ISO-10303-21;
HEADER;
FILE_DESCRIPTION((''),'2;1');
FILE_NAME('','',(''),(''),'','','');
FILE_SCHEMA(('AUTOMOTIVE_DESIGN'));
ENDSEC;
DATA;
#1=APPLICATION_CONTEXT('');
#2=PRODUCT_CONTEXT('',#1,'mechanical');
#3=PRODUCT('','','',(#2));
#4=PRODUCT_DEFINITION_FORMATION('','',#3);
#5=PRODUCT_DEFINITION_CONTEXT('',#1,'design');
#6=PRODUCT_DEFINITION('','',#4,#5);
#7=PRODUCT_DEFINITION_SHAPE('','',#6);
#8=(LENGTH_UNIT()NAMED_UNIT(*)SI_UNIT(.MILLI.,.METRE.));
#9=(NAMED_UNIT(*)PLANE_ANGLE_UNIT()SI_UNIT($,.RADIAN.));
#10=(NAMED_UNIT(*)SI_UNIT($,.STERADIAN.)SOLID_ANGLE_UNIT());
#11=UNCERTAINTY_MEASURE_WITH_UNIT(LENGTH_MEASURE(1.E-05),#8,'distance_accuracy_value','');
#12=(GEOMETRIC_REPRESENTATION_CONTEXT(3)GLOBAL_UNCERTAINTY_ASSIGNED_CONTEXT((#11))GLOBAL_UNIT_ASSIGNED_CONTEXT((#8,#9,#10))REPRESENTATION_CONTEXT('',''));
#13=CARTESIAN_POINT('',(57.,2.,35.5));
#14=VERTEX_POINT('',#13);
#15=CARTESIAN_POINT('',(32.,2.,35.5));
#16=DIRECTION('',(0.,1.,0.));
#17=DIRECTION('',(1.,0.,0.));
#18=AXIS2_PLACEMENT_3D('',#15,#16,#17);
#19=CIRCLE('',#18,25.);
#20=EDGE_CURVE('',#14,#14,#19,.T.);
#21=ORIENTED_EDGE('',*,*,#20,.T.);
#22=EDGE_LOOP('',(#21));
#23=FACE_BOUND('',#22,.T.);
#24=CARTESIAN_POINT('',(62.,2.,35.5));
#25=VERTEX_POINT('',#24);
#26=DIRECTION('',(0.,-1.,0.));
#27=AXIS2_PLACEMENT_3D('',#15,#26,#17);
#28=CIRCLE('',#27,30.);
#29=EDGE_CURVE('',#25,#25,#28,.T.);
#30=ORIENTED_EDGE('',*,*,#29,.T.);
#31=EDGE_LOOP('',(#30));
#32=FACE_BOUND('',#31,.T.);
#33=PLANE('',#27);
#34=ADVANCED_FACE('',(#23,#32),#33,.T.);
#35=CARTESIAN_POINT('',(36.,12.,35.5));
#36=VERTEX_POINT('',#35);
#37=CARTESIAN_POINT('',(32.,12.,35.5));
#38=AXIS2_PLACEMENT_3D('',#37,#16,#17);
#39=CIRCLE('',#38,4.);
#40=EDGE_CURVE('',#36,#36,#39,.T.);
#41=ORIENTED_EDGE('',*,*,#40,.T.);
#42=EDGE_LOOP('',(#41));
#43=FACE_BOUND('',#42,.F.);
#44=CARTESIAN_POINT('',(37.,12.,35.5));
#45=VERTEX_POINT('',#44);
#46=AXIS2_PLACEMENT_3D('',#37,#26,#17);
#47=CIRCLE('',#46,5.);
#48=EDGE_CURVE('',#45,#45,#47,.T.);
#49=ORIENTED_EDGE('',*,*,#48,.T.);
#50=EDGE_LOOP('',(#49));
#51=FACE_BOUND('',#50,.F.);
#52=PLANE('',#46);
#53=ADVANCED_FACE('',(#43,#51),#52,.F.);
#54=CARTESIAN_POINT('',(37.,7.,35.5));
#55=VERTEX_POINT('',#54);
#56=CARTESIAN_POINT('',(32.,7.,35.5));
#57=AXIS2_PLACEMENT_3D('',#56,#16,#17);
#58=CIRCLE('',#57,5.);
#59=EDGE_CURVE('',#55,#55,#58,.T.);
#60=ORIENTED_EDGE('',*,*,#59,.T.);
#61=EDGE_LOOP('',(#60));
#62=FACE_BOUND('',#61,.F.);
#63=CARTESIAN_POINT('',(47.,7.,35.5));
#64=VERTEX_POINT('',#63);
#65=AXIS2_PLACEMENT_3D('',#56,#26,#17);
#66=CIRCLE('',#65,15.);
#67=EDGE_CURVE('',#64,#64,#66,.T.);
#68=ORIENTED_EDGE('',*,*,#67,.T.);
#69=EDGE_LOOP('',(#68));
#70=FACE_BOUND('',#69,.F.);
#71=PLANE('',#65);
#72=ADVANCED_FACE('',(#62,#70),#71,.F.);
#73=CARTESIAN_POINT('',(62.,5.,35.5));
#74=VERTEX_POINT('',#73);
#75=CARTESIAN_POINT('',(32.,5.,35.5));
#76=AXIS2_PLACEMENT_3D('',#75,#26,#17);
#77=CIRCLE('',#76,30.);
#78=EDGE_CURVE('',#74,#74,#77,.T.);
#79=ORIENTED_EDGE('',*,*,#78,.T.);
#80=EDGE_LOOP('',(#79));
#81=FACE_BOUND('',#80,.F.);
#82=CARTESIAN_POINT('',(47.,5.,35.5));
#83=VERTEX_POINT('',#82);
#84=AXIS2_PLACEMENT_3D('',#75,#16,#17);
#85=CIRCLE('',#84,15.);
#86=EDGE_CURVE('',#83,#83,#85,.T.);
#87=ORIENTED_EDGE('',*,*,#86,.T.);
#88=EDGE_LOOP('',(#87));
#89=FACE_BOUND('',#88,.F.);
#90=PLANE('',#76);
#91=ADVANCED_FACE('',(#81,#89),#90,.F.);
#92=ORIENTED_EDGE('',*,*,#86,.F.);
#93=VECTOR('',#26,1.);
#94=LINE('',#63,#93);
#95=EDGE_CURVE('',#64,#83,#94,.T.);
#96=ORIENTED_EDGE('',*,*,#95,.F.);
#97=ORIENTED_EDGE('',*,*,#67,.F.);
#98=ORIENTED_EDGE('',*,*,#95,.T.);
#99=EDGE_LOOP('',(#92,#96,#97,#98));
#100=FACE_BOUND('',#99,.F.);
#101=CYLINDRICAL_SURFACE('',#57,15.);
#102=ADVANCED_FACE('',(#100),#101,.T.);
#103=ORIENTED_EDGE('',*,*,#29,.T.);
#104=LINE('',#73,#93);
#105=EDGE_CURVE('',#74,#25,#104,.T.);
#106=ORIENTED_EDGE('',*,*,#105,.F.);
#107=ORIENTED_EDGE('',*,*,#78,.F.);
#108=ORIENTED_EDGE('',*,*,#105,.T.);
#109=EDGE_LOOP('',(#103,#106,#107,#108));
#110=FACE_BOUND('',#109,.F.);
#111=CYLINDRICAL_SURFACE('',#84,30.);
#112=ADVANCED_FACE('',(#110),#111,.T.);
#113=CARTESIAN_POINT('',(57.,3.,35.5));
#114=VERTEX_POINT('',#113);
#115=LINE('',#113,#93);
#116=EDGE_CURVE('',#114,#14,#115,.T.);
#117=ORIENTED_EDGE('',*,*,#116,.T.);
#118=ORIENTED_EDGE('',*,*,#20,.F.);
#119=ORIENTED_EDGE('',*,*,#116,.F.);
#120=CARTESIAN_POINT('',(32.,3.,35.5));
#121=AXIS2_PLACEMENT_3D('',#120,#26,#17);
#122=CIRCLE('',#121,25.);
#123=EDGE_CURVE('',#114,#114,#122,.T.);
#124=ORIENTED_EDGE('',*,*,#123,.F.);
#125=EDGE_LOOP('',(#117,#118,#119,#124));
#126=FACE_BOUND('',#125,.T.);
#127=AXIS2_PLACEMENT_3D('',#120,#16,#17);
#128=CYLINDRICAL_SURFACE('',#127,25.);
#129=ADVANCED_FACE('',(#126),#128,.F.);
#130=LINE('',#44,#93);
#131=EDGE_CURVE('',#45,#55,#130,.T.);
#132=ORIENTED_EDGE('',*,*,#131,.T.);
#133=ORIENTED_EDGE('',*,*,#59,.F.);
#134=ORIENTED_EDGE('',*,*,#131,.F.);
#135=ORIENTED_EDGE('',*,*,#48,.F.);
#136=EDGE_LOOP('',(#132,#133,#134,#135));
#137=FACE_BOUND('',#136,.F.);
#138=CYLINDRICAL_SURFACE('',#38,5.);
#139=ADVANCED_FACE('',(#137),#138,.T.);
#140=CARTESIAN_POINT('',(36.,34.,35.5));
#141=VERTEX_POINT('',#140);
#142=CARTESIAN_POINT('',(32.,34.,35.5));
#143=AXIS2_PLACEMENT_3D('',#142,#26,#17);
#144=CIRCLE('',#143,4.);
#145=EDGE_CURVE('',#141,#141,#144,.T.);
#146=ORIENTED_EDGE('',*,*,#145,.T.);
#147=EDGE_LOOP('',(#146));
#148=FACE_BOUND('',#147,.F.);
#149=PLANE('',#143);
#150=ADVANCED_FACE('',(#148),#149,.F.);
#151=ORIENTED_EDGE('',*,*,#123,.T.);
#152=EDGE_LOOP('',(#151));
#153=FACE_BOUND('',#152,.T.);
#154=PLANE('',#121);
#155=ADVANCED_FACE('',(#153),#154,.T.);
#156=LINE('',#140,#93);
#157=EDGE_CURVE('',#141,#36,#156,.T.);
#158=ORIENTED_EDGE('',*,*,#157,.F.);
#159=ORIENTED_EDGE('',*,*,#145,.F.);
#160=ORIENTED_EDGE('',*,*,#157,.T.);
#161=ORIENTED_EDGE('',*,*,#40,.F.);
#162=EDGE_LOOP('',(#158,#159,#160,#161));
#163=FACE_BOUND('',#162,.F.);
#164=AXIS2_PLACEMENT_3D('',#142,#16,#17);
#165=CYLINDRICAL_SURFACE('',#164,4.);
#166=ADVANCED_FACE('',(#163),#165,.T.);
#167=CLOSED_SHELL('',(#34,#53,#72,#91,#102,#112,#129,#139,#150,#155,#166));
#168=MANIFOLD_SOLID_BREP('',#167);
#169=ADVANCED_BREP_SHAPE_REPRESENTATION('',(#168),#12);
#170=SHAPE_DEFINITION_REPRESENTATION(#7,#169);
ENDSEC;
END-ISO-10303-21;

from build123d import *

# Parameters (mm, degrees)
CYLINDER006_R          = 25
CYLINDER006_DEPTH      = 3
CYLINDER006_ROLL_ANGLE = 90
CYLINDER003_R          = 5
CYLINDER003_DEPTH      = 11
CYLINDER003_ROLL_ANGLE = 90
CYLINDER005_R          = 30
CYLINDER005_DEPTH      = 3
CYLINDER005_ROLL_ANGLE = 90
CYLINDER004_R          = 15
CYLINDER004_DEPTH      = 4
CYLINDER004_ROLL_ANGLE = 90
CYLINDER002_R          = 4
CYLINDER002_DEPTH      = 32
CYLINDER002_ROLL_ANGLE = 90


with BuildPart() as bein004:
    # Cylinder006 → Cylinder006 (new body)
    with BuildSketch(Plane.XY):
        Circle(CYLINDER006_R)
    extrude(amount=CYLINDER006_DEPTH)


with BuildPart() as bein004_1:
    # Cylinder006 roll: moved
    add(bein004.part.rotate(Axis((0, 0, 0), (1, 0, 0)), CYLINDER006_ROLL_ANGLE))


with BuildPart() as bein004_2:
    # Cylinder006 placement: moved
    add(bein004_1.part.moved(Location((32, 3, 35.5))))


with BuildPart() as bein001:
    # Cylinder003 → Cylinder003 (new body)
    with BuildSketch(Plane.XY):
        Circle(CYLINDER003_R)
    extrude(amount=CYLINDER003_DEPTH)


with BuildPart() as bein001_1:
    # Cylinder003 roll: moved
    add(bein001.part.rotate(Axis((0, 0, 0), (1, 0, 0)), CYLINDER003_ROLL_ANGLE))


with BuildPart() as bein001_2:
    # Cylinder003 placement: moved
    add(bein001_1.part.moved(Location((32, 12, 35.5))))


with BuildPart() as bein003:
    # Cylinder005 → Cylinder005 (new body)
    with BuildSketch(Plane.XY):
        Circle(CYLINDER005_R)
    extrude(amount=CYLINDER005_DEPTH)


with BuildPart() as bein003_1:
    # Cylinder005 roll: moved
    add(bein003.part.rotate(Axis((0, 0, 0), (1, 0, 0)), CYLINDER005_ROLL_ANGLE))


with BuildPart() as bein003_2:
    # Cylinder005 placement: moved
    add(bein003_1.part.moved(Location((32, 5, 35.5))))


with BuildPart() as bein002:
    # Cylinder004 → Cylinder004 (new body)
    with BuildSketch(Plane.XY):
        Circle(CYLINDER004_R)
    extrude(amount=CYLINDER004_DEPTH)


with BuildPart() as bein002_1:
    # Cylinder004 roll: moved
    add(bein002.part.rotate(Axis((0, 0, 0), (1, 0, 0)), CYLINDER004_ROLL_ANGLE))


with BuildPart() as bein002_2:
    # Cylinder004 placement: moved
    add(bein002_1.part.moved(Location((32, 7, 35.5))))


with BuildPart() as cut002:
    # Cylinder002 → Cylinder002 (new body)
    with BuildSketch(Plane.XY):
        Circle(CYLINDER002_R)
    extrude(amount=CYLINDER002_DEPTH)


with BuildPart() as cut002_1:
    # Cylinder002 roll: moved
    add(cut002.part.rotate(Axis((0, 0, 0), (1, 0, 0)), CYLINDER002_ROLL_ANGLE))


with BuildPart() as cut002_2:
    # Cylinder002 placement: moved
    add(cut002_1.part.moved(Location((32, 34, 35.5))))

    # Fusion002: union bein001, bein003, bein002
    add(bein001_2.part)
    add(bein003_2.part)
    add(bein002_2.part)

    # Cut002: cut bein004
    add(bein004_2.part, mode=Mode.SUBTRACT)


solid = cut002_2.part
